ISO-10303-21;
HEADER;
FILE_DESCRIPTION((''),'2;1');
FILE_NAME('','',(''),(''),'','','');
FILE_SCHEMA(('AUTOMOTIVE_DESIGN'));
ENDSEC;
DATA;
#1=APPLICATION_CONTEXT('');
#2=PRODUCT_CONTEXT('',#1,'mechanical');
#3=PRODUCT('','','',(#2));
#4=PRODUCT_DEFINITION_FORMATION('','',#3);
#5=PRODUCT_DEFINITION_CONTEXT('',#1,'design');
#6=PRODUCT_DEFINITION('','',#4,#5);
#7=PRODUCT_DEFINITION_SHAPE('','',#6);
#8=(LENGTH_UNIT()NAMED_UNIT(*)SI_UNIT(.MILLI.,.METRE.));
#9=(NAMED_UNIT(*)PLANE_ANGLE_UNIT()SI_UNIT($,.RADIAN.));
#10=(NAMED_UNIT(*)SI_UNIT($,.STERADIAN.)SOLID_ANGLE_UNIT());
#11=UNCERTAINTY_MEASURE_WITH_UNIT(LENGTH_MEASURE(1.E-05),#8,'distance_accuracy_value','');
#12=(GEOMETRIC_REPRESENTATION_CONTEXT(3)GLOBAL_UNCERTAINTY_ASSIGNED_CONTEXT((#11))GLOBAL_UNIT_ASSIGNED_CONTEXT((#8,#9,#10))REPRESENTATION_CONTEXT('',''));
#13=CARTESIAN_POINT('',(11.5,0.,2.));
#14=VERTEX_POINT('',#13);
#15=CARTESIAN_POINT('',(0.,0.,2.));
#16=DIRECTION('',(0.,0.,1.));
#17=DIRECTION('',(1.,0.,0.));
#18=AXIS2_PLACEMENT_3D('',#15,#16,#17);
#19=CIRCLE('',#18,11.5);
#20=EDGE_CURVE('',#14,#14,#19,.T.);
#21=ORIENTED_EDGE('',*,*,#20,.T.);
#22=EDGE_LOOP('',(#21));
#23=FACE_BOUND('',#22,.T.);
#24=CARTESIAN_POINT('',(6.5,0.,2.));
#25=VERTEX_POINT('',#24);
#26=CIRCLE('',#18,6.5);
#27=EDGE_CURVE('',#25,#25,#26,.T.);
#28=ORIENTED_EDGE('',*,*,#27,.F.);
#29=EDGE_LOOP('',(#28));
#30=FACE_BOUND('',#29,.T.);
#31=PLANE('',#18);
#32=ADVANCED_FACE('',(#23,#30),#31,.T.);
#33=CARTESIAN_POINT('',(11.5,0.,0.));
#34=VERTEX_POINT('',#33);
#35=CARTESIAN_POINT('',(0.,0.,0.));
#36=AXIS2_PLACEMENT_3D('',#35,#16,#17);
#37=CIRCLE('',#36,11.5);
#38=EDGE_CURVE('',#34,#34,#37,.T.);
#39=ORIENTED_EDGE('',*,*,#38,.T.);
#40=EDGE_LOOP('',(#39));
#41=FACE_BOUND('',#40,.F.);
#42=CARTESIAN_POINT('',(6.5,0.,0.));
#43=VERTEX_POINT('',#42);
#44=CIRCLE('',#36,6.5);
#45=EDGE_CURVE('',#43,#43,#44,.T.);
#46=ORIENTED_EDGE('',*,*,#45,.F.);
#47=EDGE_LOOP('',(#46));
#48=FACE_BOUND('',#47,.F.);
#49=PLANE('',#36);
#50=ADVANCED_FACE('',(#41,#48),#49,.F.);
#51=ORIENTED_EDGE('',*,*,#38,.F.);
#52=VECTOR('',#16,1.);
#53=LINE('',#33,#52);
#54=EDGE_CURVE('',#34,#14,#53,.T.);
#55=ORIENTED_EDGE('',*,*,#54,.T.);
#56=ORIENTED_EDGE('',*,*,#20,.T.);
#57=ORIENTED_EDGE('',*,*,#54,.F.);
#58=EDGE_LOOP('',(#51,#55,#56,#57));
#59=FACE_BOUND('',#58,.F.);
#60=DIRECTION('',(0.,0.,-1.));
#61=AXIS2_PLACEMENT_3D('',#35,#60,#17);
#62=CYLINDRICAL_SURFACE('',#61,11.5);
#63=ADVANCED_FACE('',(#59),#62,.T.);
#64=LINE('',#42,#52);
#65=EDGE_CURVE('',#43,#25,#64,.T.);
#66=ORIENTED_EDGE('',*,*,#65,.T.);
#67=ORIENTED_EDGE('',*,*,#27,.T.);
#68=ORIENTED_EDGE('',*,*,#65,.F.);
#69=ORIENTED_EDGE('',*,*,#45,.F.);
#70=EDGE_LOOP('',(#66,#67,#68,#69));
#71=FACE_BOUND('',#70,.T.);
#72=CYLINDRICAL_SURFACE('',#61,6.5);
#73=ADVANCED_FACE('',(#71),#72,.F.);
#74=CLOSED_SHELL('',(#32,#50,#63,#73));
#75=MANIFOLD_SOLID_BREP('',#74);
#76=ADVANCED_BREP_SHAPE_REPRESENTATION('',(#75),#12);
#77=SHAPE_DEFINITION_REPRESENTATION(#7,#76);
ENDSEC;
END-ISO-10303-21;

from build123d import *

# Parameters (mm, degrees)
SKETCH_R   = 11.5
SKETCH_R_2 = 6.5
PAD_DEPTH  = 2


with BuildPart() as part:
    # Sketch → Pad (new body)
    with BuildSketch(Plane.XY):
        Circle(SKETCH_R)
        Circle(SKETCH_R_2, mode=Mode.SUBTRACT)
    extrude(amount=PAD_DEPTH)


solid = part.part
